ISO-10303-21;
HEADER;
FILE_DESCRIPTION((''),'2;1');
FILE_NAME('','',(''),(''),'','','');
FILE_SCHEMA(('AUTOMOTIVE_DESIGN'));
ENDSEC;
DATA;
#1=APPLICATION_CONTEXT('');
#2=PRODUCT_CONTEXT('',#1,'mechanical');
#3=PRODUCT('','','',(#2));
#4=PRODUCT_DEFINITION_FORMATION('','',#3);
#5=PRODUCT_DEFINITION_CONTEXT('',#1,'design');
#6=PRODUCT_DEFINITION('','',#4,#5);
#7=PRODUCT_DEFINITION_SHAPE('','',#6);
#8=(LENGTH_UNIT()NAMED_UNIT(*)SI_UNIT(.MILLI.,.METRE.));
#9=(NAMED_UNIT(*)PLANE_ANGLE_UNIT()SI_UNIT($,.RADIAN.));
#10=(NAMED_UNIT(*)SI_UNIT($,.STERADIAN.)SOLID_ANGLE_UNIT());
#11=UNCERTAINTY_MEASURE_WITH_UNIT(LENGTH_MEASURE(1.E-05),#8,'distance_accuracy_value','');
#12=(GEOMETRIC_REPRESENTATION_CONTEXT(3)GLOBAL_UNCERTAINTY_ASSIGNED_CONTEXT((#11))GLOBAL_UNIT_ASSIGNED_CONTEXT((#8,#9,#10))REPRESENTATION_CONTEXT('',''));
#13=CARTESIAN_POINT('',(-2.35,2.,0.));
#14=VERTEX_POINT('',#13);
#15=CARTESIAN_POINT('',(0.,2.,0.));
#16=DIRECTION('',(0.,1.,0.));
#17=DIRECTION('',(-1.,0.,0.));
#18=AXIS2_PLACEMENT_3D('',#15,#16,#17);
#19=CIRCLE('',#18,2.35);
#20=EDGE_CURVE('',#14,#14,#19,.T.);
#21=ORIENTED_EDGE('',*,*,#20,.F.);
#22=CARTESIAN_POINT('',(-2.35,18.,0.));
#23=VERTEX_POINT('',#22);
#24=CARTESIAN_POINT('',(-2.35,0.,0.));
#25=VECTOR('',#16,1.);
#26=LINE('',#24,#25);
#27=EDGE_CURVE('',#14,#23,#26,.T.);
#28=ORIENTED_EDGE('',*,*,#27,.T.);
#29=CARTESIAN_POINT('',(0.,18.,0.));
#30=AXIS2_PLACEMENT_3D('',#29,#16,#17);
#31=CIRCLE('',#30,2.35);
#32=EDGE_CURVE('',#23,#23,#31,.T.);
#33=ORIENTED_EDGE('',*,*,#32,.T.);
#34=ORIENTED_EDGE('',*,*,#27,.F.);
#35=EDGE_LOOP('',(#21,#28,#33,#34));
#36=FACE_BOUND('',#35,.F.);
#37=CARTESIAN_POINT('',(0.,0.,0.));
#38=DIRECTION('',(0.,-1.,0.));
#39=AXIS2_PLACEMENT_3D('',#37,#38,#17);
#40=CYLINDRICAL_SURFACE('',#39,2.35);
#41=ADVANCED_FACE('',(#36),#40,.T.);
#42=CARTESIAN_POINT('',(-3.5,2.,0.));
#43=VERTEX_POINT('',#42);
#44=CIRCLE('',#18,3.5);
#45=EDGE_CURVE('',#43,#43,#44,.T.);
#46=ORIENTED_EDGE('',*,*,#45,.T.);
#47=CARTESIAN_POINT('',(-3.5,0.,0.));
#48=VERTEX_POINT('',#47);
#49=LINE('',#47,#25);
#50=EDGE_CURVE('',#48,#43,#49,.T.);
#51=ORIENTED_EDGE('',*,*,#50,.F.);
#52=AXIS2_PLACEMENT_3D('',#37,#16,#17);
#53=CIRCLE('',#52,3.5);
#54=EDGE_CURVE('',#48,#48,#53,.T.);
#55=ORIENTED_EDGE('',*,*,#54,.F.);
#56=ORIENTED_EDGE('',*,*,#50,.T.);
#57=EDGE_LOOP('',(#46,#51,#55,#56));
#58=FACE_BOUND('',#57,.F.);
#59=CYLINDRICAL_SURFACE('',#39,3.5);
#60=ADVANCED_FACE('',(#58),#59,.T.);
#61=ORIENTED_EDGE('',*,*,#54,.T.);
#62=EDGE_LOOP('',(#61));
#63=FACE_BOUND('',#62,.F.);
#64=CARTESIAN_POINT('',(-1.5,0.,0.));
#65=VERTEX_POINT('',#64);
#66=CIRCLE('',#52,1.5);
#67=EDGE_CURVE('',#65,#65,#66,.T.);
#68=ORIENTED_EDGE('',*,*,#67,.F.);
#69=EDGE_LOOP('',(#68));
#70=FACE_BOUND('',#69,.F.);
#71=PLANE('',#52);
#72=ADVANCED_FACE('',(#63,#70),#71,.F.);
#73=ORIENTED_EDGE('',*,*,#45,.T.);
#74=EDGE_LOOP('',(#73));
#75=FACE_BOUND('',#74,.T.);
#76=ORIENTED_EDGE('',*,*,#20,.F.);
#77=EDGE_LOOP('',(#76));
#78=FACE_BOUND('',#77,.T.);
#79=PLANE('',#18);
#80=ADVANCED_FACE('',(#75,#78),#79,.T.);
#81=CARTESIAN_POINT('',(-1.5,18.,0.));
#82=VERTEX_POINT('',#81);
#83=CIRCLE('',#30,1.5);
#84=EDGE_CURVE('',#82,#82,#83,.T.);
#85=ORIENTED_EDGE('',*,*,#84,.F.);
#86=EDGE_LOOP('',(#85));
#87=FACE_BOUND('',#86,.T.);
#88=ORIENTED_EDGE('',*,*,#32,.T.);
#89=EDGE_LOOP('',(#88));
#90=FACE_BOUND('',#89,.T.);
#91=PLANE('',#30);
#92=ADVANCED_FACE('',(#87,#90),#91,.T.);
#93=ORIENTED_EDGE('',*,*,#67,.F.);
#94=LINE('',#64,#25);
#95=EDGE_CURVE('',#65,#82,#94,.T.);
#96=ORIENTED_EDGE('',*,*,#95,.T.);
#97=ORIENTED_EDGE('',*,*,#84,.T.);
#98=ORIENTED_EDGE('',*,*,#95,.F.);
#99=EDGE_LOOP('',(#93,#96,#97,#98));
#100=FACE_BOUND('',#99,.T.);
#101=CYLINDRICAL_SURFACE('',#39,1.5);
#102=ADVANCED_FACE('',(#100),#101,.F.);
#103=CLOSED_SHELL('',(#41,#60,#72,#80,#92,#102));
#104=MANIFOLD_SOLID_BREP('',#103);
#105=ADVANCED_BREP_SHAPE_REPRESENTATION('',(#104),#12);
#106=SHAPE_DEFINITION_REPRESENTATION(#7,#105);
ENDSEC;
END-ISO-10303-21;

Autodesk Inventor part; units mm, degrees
ref_plane "YZ Plane" through (0, 0, 0) normal (1, 0, 0) x (0, 1, 0)
ref_plane "XZ Plane" through (0, 0, 0) normal (0, 1, 0) x (-1, 0, 0)
ref_plane "XY Plane" through (0, 0, 0) normal (0, 0, 1) x (1, 0, 0)
sketch "Sketch1" plane through (0, 0, 0) normal (0, 1, 0) x (-1, 0, 0)
  circle A0 centre (0, 0) radius 2.35
  circle A1 centre (0, 0) radius 3.5
  circle A2 centre (0, 0) radius 1.5
  dimension "d0" = 4.7
  dimension "d1" = 7
  dimension "d2" = 3
extrude "Extrusion1" add sketch "Sketch1" along normal blind 2 contours A1
extrude "Extrusion2" add sketch "Sketch1" along normal blind 18 contours A0
properties part number "Locker Panjang_3DPrint"
